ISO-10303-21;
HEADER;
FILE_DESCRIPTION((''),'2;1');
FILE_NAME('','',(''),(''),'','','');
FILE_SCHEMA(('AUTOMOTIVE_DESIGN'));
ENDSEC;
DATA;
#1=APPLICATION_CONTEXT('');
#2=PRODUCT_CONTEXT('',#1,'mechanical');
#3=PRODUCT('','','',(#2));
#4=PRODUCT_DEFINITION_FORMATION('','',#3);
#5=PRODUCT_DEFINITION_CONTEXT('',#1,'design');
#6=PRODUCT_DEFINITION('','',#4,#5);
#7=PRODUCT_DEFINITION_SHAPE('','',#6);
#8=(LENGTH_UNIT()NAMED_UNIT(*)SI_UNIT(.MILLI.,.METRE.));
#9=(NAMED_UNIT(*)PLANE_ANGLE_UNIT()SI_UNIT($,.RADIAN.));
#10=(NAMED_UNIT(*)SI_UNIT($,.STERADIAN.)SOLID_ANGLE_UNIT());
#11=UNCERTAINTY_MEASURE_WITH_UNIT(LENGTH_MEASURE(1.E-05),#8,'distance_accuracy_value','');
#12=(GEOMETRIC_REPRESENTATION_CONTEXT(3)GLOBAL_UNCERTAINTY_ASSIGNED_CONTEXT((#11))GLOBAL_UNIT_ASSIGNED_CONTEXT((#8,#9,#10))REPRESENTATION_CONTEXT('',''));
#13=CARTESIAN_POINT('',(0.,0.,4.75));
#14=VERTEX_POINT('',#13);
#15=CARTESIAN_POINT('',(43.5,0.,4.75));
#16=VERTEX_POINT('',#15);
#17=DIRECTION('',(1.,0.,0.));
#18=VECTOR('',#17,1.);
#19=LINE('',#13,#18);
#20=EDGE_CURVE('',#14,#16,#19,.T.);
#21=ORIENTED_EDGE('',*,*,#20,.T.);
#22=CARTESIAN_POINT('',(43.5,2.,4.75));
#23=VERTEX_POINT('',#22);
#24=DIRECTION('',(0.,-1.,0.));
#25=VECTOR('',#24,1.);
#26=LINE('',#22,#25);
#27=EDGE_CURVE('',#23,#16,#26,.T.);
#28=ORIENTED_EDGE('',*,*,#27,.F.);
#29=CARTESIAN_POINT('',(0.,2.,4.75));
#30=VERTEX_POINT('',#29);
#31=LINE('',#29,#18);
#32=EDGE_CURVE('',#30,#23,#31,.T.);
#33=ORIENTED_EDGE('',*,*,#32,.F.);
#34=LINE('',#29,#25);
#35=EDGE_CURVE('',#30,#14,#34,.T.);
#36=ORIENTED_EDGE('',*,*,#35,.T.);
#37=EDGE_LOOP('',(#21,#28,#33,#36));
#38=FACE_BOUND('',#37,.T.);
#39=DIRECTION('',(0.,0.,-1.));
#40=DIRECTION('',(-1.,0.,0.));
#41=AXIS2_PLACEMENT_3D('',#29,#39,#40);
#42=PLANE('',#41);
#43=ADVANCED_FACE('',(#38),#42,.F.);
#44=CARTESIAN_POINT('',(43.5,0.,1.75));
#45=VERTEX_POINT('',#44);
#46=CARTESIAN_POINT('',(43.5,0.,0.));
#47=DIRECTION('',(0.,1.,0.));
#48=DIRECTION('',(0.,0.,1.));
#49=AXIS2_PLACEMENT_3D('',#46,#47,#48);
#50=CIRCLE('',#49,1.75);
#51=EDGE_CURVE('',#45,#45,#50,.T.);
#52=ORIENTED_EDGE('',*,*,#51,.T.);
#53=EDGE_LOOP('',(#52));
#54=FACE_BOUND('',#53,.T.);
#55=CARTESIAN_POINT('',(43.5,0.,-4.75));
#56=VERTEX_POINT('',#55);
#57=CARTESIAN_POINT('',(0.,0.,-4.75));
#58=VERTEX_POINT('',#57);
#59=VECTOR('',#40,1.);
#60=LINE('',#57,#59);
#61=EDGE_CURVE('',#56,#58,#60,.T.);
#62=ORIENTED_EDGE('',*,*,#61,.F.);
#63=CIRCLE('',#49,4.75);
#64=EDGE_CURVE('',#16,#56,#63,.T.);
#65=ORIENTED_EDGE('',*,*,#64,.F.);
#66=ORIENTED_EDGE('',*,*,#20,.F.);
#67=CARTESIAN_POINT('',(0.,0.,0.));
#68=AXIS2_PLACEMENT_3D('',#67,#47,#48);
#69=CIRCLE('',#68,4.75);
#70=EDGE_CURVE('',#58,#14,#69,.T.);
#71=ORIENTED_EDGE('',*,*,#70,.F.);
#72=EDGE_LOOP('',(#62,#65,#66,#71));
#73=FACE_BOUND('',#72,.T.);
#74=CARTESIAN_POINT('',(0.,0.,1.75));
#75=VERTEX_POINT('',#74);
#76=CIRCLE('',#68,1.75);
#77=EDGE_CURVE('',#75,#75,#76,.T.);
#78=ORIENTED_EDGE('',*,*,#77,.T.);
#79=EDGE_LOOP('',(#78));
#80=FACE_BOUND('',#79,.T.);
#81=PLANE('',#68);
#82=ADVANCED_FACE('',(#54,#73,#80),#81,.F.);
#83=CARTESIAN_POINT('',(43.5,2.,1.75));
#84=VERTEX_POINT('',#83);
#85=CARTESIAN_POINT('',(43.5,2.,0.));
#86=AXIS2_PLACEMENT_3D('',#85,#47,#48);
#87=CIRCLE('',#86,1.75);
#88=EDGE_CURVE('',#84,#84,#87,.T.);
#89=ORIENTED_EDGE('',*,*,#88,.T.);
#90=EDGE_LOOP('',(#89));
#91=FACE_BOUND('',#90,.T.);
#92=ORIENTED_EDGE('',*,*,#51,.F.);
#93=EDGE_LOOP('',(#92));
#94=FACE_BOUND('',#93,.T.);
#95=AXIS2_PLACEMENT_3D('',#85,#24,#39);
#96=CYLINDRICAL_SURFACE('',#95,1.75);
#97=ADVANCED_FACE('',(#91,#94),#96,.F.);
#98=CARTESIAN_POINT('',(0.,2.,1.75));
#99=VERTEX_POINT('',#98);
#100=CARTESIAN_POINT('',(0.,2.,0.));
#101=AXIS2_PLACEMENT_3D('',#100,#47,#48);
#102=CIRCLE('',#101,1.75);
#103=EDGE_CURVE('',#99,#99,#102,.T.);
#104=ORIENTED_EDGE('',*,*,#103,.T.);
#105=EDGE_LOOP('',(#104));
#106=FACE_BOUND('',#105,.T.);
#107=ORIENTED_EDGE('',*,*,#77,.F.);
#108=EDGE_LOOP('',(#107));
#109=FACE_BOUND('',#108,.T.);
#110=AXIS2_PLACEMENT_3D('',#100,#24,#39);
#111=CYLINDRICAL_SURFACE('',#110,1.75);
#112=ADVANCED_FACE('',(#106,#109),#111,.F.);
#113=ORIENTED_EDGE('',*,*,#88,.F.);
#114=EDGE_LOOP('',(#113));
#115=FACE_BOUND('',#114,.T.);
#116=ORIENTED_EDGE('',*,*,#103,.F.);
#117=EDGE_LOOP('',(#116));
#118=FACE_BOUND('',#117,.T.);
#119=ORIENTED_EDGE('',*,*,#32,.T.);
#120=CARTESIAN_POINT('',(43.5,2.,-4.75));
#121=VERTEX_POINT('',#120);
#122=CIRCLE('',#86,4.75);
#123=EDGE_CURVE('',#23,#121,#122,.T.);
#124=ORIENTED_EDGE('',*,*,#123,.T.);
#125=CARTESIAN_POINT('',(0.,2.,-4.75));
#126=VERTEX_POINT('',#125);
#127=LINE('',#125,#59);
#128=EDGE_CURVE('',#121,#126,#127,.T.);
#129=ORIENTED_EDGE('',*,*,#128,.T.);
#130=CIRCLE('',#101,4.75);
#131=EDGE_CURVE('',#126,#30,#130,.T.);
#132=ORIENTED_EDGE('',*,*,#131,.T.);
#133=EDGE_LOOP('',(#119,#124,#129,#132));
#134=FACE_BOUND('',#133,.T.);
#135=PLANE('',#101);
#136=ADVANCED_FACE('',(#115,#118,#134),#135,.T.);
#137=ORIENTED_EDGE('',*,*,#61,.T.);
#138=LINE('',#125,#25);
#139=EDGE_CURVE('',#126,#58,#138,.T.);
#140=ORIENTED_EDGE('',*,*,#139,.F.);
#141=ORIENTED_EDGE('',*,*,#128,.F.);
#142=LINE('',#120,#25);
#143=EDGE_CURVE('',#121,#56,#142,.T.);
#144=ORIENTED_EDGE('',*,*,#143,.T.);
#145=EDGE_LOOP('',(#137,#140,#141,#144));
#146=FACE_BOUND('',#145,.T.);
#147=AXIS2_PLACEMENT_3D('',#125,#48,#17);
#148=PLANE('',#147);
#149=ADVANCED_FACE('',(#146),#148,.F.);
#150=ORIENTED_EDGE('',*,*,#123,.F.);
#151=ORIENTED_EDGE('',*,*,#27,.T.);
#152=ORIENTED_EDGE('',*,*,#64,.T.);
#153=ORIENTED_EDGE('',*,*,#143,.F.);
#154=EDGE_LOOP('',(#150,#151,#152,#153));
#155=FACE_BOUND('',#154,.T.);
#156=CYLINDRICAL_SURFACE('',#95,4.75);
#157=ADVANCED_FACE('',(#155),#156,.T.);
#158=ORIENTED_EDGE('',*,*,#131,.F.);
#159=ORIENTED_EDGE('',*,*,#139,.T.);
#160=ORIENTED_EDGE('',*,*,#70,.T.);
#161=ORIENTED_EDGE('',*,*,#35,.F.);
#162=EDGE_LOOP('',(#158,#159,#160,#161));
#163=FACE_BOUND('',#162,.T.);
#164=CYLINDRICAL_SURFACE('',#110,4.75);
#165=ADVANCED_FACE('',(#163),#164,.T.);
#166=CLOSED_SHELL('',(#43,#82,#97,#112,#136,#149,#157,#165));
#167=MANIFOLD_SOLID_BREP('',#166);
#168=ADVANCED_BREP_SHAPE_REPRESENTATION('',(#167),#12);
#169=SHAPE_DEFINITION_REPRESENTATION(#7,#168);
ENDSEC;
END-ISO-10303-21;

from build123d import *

# Parameters (mm, degrees)
SKETCH1_R           = 1.75
BOSS_EXTRUDE1_DEPTH = 2


with BuildPart() as part:
    # Sketch1 → Boss-Extrude1 (new body)
    with BuildSketch(Plane(origin=(0, 0, 0), x_dir=(1, 0, 0), z_dir=(0, 1, 0))):
        with BuildLine():
            Line((0, 4.75), (43.5, 4.75))
            ThreePointArc((43.5, 4.75), (48.25, 0), (43.5, -4.75))
            Line((43.5, -4.75), (0, -4.75))
            ThreePointArc((0, -4.75), (-4.75, 0), (0, 4.75))
        make_face()
        with Locations(Location((0, 0, 0), (0, 0, 270))):
            Circle(SKETCH1_R, mode=Mode.SUBTRACT)
        with Locations(Location((43.5, 0, 0), (0, 0, 270))):
            Circle(SKETCH1_R, mode=Mode.SUBTRACT)
    extrude(amount=BOSS_EXTRUDE1_DEPTH)


solid = part.part
